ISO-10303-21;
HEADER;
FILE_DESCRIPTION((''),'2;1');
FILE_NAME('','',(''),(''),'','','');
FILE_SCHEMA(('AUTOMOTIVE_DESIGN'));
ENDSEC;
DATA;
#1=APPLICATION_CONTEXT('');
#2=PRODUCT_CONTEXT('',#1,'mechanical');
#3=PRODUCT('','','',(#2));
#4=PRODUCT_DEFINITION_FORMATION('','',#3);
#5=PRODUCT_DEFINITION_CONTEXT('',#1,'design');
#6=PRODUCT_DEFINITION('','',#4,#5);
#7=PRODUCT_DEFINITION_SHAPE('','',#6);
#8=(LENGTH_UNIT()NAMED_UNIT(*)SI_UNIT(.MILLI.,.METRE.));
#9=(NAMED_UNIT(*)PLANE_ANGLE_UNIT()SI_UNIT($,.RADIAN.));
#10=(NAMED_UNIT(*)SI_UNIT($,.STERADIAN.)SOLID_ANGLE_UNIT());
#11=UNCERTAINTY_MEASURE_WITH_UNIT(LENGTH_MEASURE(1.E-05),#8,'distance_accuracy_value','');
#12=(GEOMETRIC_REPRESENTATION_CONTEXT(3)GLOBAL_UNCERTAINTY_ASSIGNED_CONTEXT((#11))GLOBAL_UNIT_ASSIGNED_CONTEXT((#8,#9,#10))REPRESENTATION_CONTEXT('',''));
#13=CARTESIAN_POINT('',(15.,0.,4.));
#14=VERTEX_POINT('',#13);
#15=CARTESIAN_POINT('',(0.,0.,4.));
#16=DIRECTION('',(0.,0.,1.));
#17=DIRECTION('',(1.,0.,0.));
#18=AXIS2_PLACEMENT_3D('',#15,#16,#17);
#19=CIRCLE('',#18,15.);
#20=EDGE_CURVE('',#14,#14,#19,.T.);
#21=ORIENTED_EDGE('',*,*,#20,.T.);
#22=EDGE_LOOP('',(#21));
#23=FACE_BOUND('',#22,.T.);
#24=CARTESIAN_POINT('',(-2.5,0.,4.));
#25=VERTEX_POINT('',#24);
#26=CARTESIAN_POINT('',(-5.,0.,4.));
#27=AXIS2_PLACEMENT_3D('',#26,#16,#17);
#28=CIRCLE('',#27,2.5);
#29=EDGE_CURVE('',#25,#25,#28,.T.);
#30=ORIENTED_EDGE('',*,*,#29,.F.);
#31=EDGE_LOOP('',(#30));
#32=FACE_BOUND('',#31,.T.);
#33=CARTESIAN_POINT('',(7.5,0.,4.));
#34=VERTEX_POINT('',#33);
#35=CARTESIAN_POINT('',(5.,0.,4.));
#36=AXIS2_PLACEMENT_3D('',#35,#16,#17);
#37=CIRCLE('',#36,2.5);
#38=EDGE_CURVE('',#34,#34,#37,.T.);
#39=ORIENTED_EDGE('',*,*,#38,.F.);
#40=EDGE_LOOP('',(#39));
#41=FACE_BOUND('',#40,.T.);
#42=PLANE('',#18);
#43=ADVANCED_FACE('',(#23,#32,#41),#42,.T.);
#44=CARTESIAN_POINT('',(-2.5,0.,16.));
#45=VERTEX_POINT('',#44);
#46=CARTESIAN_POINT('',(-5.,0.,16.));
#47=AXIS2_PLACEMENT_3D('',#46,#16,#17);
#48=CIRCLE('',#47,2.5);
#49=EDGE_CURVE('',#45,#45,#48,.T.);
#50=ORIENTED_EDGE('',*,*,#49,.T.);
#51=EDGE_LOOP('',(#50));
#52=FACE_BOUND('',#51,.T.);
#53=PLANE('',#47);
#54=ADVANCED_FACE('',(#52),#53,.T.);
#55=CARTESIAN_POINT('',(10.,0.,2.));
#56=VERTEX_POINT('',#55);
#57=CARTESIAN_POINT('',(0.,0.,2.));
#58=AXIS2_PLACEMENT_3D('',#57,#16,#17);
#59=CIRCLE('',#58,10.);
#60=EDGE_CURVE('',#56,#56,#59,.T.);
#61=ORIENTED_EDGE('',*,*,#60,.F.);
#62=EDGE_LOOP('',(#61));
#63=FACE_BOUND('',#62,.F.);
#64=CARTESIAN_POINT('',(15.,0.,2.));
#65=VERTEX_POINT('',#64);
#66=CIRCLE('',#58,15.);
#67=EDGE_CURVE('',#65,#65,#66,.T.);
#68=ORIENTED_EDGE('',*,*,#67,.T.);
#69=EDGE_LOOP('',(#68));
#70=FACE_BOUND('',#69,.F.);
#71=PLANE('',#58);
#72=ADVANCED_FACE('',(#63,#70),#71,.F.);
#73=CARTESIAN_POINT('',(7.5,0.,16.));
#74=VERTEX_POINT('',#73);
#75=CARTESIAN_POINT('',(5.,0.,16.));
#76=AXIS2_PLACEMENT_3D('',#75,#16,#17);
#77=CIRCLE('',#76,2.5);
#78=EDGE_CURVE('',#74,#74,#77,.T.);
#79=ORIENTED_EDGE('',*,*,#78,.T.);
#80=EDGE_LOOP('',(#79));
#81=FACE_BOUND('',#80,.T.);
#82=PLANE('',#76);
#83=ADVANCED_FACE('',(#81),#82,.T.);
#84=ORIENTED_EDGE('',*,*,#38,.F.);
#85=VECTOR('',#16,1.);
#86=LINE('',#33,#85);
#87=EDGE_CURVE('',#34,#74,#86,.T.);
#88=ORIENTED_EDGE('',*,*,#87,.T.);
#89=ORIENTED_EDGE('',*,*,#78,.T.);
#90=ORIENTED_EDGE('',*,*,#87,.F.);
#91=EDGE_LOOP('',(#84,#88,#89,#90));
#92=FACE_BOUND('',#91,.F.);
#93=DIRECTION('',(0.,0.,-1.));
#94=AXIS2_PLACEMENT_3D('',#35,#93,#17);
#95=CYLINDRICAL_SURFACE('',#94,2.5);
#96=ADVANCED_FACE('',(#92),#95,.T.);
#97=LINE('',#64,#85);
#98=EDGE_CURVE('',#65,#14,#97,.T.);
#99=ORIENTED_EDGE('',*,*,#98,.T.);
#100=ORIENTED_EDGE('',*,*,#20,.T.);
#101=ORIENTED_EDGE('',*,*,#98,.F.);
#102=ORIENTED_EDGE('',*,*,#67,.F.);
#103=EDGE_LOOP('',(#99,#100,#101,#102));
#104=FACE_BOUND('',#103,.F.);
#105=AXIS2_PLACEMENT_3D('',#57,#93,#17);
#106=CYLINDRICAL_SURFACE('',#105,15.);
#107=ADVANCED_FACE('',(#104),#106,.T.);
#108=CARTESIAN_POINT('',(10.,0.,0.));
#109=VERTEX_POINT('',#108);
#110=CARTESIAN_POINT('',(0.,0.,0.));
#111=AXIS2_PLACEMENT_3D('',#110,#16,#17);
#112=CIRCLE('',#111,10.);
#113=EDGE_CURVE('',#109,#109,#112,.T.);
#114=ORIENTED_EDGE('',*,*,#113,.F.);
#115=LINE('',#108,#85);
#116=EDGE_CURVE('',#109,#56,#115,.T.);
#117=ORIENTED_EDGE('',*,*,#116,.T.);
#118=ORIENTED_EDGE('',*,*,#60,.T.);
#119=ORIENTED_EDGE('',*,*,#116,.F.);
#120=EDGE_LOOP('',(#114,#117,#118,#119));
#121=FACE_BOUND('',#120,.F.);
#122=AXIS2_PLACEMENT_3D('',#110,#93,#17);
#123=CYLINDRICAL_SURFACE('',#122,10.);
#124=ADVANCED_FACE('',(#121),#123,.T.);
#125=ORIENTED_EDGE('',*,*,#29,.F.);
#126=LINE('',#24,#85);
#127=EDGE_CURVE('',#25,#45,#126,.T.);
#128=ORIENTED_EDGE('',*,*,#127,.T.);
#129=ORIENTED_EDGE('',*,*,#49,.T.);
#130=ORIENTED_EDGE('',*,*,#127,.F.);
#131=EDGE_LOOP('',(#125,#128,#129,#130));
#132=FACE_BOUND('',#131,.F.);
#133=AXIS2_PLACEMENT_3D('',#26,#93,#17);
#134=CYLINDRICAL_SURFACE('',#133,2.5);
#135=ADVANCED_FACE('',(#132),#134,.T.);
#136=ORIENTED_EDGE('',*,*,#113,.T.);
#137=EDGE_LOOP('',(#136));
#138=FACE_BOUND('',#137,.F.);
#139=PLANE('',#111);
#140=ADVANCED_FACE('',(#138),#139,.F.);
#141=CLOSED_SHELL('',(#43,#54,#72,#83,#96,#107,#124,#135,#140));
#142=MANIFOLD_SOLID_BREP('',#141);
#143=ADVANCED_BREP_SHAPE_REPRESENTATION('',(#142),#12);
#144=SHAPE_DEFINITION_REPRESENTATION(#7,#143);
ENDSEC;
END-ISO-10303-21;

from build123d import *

# Parameters (mm, degrees)
F0_R     = 10
F1_DEPTH = 2
F2_R     = 15
F3_DEPTH = 2
F4_R     = 2.5
F5_DEPTH = 12


with BuildPart() as f1:
    # F0 (on Top) → F1 (new body)
    with BuildSketch(Plane.XY):
        Circle(F0_R)
    extrude(amount=F1_DEPTH)

    # F2 (on face) → F3 (join)
    with BuildSketch(Plane.XY.offset(2)):
        Circle(F2_R)
    extrude(amount=F3_DEPTH)

    # F4 (on face) → F5 (join)
    with BuildSketch(Plane.XY.offset(4)):
        with Locations((-5, 0)):
            Circle(F4_R)
        with Locations((5, 0)):
            Circle(F4_R)
    extrude(amount=F5_DEPTH)


solid = f1.part
